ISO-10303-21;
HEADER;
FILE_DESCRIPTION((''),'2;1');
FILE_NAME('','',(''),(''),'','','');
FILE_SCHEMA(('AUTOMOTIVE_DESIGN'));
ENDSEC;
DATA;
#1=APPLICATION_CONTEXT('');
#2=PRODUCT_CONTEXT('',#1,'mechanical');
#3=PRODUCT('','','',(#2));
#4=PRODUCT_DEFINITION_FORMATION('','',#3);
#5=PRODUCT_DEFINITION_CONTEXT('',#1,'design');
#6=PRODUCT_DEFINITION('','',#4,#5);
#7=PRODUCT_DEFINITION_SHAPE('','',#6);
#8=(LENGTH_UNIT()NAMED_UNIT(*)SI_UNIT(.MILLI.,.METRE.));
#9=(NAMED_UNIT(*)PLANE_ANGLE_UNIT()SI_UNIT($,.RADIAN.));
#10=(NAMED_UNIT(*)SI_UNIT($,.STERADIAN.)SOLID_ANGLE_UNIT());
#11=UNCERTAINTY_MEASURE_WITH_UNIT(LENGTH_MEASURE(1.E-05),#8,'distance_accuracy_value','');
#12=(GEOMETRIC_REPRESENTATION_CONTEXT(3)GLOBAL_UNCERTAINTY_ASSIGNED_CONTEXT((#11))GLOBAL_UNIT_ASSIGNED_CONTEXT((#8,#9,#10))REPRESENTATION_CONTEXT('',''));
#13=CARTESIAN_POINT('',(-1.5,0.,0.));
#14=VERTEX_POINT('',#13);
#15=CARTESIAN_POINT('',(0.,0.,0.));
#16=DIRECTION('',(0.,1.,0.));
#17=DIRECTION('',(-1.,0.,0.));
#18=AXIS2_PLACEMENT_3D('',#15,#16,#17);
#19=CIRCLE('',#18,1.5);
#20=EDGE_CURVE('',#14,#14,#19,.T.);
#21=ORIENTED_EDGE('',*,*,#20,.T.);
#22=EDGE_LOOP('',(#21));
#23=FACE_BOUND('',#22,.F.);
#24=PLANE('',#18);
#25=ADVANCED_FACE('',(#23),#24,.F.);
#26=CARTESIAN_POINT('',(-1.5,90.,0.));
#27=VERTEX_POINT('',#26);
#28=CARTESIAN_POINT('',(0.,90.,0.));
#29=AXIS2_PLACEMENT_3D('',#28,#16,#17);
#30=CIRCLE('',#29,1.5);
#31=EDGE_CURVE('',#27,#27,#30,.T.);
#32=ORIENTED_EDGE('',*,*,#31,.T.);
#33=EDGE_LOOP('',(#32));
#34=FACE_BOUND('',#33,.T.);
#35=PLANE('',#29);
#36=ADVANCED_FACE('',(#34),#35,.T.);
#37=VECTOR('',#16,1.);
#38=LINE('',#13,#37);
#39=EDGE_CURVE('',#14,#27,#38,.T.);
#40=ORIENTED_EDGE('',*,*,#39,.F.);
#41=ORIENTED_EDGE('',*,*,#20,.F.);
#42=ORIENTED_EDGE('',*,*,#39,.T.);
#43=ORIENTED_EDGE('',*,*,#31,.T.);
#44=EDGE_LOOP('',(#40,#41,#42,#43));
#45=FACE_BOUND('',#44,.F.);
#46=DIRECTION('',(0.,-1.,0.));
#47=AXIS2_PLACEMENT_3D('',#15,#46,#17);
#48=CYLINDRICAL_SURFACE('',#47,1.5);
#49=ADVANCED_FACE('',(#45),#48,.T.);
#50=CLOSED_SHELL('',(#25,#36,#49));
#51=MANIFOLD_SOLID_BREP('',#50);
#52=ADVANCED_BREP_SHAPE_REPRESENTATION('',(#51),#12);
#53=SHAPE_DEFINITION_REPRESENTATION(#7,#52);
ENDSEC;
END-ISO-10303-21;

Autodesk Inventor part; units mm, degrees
ref_plane "YZ Plane" through (0, 0, 0) normal (1, 0, 0) x (0, 1, 0)
ref_plane "XZ Plane" through (0, 0, 0) normal (0, 1, 0) x (-1, 0, 0)
ref_plane "XY Plane" through (0, 0, 0) normal (0, 0, 1) x (1, 0, 0)
sketch "Sketch1" plane through (0, 0, 0) normal (0, 1, 0) x (-1, 0, 0)
  circle A0 centre (0, 0) radius 1.5
  dimension "d0" = 3
extrude "Extrusion1" add sketch "Sketch1" along normal blind 90
properties part number "Standoff 90mm"
